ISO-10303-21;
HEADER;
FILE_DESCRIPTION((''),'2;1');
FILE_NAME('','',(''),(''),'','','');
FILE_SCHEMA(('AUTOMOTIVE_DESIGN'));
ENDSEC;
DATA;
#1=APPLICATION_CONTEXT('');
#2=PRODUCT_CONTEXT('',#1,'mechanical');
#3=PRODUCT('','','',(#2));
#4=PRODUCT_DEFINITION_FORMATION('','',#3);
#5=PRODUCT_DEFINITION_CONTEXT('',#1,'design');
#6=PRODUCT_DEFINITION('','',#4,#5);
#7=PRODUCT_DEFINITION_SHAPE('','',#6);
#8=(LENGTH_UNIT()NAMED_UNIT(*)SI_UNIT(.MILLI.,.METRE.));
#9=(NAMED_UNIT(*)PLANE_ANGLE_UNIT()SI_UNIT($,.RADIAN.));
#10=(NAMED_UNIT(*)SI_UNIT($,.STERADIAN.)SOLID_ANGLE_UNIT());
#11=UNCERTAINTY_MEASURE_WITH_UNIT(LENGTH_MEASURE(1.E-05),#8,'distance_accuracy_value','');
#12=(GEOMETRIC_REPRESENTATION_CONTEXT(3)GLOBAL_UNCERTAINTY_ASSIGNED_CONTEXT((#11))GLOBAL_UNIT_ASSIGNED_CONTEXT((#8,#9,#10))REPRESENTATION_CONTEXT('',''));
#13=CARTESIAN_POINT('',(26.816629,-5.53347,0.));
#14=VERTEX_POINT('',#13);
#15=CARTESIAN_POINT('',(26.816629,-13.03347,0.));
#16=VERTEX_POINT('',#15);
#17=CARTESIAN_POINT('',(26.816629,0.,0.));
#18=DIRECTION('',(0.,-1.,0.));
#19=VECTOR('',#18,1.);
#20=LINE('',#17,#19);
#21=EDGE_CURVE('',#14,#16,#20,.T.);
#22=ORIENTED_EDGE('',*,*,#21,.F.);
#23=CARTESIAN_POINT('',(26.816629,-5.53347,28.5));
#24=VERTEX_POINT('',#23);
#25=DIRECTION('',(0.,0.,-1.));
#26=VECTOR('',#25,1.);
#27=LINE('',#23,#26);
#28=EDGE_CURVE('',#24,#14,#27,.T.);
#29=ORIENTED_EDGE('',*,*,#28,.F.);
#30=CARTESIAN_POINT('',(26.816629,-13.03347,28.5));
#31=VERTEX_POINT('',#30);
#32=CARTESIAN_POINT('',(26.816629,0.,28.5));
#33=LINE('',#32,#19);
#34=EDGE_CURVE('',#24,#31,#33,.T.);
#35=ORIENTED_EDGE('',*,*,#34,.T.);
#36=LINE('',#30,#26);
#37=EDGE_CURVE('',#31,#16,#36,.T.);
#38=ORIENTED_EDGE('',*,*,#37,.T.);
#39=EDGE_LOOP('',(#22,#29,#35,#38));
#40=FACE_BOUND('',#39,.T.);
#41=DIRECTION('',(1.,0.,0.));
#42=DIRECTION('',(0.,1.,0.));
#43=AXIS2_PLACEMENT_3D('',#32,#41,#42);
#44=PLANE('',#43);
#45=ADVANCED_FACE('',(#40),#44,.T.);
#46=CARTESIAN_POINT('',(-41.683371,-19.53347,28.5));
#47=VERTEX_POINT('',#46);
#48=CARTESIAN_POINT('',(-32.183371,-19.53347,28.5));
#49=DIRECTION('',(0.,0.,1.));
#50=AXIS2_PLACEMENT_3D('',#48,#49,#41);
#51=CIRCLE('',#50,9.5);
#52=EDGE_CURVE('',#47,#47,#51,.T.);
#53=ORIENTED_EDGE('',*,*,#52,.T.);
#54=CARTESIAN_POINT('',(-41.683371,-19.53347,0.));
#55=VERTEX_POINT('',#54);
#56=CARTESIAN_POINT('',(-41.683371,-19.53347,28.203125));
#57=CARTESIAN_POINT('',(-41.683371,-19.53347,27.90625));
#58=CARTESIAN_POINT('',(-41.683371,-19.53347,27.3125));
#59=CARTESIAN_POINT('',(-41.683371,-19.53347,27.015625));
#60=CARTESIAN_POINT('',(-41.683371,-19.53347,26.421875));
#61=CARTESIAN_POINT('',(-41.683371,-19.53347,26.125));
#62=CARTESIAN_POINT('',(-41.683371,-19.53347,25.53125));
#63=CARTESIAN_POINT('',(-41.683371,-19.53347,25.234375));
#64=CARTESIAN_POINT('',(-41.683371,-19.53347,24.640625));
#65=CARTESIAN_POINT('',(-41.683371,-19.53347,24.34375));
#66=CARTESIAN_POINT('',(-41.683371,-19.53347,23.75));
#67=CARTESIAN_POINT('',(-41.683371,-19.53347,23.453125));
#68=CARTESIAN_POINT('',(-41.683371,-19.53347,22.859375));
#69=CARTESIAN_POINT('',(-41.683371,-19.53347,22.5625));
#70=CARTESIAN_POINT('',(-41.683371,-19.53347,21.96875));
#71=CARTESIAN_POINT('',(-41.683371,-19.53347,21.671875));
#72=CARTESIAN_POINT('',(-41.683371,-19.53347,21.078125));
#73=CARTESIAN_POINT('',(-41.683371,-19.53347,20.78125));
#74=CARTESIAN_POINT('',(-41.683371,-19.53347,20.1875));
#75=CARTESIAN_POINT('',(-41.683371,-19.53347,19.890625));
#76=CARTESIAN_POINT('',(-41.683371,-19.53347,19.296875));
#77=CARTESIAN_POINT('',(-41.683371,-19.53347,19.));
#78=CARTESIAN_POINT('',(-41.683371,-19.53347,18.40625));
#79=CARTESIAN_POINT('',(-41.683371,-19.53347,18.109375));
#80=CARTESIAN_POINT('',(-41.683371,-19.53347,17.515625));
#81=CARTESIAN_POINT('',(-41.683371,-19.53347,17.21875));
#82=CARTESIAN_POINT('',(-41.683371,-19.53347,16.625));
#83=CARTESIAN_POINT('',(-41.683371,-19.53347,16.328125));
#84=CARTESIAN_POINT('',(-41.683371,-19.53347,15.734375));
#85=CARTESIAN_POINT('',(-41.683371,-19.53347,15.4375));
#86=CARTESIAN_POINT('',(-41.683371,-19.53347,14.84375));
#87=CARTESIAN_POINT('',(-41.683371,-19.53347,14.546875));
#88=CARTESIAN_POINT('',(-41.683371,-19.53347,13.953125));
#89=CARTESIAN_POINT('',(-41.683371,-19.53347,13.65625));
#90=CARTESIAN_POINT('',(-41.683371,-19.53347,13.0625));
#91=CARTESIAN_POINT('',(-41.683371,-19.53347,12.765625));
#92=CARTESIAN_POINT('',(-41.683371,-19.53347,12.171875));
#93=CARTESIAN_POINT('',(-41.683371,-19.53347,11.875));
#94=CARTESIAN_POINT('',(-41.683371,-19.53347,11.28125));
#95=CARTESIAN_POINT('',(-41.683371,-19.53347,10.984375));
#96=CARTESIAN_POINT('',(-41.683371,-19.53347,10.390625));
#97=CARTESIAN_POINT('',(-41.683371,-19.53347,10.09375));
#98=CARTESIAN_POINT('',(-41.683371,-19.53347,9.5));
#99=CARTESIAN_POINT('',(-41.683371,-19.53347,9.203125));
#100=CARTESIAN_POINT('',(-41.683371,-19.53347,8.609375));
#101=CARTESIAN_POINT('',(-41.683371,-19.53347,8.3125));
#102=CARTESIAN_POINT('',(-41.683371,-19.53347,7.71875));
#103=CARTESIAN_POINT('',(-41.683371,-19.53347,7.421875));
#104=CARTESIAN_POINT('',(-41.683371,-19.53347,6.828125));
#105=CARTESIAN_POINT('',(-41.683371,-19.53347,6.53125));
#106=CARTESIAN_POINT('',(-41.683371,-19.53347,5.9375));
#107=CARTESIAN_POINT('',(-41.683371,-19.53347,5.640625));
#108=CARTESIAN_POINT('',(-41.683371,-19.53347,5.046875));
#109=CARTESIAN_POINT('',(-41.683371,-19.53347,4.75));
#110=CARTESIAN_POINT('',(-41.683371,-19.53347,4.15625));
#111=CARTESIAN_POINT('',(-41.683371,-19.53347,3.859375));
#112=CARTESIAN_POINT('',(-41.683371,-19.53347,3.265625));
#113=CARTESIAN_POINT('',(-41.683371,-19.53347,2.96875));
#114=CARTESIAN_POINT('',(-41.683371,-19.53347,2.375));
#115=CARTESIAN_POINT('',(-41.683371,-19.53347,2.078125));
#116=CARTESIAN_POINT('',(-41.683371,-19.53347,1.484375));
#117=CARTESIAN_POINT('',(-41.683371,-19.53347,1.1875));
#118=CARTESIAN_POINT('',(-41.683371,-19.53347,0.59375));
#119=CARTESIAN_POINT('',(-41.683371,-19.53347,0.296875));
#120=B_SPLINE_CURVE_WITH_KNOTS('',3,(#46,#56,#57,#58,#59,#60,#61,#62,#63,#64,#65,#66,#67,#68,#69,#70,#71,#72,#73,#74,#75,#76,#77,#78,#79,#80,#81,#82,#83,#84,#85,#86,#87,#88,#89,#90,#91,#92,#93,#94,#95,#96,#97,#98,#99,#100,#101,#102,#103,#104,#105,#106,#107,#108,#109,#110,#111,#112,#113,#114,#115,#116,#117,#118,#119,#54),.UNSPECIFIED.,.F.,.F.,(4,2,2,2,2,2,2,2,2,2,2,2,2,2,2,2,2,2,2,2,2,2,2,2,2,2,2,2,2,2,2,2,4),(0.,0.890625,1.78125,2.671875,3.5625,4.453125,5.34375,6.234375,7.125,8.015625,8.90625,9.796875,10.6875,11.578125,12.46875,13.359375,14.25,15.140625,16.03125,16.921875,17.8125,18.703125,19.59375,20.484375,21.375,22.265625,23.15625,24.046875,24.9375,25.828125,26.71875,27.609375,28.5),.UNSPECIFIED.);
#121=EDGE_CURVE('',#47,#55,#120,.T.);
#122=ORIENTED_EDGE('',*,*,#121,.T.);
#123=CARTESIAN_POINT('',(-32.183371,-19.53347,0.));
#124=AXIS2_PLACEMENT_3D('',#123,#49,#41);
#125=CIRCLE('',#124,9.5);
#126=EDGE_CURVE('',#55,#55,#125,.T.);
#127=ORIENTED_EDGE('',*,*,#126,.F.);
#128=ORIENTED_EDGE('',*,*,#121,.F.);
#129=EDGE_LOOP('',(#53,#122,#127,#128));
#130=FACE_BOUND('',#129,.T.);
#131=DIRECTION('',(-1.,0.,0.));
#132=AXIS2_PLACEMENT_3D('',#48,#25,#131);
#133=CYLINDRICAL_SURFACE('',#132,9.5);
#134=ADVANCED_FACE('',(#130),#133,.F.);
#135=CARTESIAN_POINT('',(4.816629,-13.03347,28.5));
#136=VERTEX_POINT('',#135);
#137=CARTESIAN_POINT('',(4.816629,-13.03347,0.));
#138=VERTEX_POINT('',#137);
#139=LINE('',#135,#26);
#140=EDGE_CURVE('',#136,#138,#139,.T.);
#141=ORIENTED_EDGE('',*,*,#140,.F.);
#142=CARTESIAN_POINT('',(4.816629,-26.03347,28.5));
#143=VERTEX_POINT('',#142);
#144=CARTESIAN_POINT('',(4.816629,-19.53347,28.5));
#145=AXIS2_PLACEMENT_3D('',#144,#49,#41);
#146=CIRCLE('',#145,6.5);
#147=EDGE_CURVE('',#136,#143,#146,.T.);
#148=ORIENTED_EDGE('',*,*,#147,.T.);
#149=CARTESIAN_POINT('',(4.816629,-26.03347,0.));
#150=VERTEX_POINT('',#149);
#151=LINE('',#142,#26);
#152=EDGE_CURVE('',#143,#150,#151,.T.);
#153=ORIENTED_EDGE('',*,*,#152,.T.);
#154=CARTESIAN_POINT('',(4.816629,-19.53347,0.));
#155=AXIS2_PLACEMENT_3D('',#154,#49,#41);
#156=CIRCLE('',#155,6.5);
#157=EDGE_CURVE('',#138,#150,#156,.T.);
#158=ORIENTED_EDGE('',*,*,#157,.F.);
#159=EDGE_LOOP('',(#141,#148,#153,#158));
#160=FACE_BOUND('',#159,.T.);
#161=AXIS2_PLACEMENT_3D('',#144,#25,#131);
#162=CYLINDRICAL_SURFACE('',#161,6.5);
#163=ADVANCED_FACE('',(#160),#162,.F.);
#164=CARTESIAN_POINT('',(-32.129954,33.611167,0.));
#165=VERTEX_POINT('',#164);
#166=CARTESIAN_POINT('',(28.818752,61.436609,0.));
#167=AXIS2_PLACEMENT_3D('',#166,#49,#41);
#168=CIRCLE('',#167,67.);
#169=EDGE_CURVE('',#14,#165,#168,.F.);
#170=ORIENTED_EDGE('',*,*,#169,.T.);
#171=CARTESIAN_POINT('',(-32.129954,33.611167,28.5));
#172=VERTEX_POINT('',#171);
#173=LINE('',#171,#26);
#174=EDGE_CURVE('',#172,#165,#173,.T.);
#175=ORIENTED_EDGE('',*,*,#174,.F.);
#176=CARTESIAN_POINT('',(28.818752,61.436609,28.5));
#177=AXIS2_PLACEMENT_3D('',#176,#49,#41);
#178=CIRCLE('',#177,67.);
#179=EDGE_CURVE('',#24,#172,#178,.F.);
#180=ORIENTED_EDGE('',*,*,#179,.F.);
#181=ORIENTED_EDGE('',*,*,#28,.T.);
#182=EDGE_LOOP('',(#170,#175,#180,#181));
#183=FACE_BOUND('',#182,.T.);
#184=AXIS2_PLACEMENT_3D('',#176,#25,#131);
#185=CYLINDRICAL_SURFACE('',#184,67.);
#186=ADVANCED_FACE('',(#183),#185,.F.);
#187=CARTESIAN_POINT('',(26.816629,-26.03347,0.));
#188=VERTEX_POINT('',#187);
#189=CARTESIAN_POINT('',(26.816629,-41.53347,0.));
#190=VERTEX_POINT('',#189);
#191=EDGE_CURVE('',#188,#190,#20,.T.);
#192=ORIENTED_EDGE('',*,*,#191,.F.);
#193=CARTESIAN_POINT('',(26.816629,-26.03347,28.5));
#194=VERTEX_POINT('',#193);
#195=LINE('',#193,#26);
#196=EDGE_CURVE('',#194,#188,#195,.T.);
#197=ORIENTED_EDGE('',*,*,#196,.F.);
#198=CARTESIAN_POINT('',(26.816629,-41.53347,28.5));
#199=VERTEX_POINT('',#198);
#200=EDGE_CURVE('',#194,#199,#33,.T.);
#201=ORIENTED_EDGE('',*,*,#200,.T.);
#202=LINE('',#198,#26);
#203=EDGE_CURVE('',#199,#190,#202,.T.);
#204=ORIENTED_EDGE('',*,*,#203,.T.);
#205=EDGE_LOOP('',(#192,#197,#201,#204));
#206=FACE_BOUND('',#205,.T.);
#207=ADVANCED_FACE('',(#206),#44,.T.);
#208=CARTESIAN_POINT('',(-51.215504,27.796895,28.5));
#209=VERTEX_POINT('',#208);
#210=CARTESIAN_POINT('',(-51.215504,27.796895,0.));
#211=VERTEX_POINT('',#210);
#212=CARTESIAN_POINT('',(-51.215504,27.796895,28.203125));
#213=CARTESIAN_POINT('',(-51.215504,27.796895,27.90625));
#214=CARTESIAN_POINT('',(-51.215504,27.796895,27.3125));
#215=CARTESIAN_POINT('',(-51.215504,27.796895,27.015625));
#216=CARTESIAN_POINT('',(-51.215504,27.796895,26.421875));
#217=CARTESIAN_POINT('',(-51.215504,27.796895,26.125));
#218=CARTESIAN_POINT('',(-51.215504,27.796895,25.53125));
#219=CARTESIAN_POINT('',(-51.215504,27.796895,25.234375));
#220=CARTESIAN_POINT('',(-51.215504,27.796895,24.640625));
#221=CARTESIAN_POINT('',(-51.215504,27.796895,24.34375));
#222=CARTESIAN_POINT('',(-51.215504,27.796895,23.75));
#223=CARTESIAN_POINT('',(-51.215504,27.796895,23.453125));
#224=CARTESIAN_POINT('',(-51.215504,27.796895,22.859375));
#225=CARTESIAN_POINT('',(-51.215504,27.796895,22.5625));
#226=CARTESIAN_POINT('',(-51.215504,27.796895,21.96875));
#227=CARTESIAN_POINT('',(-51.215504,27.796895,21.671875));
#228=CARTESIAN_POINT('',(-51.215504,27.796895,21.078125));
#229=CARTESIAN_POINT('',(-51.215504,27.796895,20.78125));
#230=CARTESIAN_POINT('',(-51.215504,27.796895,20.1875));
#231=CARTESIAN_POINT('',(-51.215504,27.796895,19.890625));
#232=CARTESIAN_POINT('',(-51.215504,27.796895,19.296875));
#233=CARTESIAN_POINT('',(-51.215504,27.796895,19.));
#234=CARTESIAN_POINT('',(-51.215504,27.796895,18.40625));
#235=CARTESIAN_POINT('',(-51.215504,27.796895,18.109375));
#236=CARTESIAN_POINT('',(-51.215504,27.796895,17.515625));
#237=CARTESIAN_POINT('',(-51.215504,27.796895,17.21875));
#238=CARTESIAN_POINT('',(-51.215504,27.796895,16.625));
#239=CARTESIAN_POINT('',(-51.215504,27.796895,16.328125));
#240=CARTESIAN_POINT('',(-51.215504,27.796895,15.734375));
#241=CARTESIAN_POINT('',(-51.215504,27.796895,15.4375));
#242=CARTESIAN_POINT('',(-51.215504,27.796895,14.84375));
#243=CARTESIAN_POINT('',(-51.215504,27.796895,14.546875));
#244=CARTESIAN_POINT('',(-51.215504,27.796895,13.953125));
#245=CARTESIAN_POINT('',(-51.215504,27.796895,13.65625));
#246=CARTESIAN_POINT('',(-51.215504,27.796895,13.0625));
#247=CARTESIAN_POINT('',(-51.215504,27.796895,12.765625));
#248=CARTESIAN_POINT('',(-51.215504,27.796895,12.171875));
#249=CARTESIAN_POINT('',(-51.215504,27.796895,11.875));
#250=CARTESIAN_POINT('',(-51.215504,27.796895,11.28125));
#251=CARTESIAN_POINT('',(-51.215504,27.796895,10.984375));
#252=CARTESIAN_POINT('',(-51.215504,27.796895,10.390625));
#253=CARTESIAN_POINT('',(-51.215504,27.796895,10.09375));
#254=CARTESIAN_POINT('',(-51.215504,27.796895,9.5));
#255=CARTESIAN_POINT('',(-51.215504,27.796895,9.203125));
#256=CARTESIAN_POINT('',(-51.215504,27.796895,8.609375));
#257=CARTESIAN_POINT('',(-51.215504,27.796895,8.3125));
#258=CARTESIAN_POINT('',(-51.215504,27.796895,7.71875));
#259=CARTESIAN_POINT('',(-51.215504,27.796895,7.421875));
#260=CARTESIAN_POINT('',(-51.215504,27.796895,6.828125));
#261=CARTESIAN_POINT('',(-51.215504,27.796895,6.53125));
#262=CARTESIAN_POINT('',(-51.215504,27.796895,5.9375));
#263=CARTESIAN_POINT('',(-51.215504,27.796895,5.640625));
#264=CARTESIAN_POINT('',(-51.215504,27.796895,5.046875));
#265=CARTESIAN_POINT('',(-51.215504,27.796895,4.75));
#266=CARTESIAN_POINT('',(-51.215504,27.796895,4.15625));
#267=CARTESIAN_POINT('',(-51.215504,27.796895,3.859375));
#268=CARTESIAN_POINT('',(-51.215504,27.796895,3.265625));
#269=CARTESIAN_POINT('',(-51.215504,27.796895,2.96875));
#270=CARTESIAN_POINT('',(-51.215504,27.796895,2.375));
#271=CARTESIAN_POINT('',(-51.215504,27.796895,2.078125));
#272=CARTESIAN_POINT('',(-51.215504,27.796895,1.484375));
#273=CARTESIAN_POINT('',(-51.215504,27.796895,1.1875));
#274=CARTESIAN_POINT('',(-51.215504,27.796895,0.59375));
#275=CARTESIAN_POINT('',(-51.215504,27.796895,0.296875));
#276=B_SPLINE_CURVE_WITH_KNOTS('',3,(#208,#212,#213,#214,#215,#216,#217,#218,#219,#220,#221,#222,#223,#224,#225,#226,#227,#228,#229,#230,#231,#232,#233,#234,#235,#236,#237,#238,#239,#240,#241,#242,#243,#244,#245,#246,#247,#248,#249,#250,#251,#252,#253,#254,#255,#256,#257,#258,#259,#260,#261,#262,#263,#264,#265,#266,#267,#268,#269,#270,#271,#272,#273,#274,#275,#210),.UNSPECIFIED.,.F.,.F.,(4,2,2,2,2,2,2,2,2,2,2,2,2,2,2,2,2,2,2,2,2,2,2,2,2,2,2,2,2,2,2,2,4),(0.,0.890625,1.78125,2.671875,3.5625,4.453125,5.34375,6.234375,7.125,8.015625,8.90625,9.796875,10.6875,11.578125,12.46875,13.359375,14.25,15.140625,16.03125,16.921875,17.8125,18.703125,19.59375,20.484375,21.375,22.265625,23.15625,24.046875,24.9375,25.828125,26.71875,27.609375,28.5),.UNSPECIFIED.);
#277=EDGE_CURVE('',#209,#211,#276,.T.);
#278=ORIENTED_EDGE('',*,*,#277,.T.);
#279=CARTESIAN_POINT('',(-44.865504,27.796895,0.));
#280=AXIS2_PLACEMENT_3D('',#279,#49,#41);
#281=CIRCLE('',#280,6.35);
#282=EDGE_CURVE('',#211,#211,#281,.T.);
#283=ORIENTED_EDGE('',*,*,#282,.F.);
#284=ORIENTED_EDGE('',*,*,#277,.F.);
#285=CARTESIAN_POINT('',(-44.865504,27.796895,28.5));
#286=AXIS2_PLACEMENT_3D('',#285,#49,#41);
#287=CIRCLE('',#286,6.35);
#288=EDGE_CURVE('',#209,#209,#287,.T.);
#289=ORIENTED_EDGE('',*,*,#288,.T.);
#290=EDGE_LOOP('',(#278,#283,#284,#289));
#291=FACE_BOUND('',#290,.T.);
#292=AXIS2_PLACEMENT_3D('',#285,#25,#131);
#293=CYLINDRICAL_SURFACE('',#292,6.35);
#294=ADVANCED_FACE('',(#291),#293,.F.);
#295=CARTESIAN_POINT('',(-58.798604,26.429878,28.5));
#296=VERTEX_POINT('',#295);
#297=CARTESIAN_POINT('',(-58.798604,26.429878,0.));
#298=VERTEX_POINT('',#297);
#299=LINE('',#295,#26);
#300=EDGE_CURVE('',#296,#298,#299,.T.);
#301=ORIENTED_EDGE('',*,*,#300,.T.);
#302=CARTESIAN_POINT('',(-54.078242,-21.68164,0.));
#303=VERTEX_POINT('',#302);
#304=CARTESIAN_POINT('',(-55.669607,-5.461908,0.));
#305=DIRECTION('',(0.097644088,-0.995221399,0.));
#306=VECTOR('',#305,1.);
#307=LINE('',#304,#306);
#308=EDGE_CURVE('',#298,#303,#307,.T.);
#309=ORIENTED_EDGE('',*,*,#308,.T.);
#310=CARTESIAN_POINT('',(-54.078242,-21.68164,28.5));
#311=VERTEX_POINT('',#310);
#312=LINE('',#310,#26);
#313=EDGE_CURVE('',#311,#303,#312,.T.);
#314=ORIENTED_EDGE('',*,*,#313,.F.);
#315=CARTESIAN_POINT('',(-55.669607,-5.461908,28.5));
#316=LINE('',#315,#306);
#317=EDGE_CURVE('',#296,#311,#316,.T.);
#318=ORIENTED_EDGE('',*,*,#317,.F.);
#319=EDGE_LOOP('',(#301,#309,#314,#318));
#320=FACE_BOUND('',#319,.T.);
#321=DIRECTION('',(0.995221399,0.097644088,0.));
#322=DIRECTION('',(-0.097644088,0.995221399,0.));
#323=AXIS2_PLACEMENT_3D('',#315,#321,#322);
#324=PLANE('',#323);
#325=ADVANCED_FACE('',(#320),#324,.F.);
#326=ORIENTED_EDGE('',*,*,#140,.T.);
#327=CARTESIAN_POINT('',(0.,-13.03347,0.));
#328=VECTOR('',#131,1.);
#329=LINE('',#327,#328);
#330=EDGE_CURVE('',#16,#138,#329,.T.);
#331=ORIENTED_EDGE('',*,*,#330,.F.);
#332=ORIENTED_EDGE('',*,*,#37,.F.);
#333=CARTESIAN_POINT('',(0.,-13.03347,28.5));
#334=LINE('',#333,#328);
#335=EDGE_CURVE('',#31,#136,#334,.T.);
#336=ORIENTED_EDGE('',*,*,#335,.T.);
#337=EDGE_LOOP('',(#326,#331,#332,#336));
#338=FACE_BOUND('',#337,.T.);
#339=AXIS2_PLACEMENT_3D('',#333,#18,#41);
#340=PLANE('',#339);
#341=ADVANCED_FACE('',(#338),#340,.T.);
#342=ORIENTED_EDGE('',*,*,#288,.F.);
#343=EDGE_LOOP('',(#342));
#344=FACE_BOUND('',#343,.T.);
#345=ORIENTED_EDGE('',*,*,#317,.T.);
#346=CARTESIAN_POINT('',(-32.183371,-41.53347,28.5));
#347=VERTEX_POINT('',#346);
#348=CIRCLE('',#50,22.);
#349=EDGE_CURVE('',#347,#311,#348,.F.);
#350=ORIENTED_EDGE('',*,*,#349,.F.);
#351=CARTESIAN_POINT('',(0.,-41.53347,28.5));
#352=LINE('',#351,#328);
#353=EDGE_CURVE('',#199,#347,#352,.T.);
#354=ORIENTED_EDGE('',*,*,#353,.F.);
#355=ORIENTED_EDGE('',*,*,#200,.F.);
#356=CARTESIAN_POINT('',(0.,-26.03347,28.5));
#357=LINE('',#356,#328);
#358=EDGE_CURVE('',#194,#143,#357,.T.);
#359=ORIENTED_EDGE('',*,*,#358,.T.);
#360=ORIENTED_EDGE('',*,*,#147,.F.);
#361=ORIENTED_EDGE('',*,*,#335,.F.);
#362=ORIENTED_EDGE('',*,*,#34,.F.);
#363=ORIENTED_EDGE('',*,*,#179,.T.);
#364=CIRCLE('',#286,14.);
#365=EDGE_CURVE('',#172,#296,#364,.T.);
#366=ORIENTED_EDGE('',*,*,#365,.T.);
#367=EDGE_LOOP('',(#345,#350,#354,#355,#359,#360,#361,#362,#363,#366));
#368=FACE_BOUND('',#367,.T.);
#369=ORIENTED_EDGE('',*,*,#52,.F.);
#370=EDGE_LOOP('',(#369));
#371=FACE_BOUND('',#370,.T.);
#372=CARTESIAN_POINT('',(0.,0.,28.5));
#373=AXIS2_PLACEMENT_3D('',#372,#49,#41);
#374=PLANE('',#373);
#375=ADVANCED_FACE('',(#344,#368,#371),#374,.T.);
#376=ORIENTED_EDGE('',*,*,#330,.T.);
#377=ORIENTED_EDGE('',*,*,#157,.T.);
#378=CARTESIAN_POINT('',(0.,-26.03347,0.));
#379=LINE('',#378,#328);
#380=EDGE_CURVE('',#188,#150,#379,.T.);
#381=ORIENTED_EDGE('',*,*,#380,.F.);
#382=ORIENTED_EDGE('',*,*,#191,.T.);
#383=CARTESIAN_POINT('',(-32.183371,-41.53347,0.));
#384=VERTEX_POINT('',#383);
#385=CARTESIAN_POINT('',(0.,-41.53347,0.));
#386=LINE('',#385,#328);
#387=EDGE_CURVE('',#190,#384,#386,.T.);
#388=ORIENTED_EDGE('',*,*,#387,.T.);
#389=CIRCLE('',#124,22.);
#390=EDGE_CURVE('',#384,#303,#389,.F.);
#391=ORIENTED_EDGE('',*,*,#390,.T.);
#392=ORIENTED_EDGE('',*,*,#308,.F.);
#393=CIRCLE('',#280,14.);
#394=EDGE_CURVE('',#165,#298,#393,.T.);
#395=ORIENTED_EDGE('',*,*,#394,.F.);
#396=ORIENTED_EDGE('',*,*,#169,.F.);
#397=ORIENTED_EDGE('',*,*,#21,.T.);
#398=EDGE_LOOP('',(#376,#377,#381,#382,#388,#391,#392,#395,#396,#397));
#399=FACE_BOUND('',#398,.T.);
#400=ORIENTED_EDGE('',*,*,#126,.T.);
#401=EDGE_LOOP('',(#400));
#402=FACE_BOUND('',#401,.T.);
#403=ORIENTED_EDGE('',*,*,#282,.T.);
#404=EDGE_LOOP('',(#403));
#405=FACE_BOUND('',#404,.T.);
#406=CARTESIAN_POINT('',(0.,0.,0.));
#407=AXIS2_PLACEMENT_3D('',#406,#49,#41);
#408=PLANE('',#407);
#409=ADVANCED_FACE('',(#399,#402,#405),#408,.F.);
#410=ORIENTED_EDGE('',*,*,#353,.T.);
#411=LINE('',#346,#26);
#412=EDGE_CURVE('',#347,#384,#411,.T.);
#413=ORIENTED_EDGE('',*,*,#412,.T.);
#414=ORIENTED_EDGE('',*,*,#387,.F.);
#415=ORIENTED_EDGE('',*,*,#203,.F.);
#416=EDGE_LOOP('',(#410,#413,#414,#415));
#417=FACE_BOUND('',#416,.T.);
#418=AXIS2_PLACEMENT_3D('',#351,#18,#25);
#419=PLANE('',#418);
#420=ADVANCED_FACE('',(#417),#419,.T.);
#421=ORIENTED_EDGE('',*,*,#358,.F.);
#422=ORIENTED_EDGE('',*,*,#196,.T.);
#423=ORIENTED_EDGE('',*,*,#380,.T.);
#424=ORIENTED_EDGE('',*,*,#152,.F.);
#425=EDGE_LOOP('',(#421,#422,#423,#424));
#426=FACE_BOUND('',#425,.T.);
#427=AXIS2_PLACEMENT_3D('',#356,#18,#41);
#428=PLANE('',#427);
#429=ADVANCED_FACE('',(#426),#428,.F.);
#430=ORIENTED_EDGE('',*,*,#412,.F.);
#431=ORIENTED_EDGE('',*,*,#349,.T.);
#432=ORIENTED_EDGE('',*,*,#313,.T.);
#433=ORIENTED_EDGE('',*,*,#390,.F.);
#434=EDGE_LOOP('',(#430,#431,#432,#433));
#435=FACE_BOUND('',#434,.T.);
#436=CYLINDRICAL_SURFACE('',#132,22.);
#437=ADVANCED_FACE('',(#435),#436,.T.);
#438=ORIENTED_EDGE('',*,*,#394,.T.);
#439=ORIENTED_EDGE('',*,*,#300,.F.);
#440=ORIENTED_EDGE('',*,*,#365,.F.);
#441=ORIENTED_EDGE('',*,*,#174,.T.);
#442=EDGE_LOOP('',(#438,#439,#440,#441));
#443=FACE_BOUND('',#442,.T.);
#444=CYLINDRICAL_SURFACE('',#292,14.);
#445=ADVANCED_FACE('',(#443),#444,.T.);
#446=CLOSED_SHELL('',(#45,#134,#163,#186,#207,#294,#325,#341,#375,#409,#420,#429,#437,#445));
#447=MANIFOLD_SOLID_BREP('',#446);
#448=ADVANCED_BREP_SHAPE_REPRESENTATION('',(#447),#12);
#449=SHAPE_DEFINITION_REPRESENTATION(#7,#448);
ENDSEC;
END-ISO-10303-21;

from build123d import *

# Parameters (mm, degrees)
ESQUISSE1_R        = 9.5
ESQUISSE1_R_2      = 6.35
BOSS_EXTRU_3_DEPTH = 28.5


with BuildPart() as part:
    # Esquisse1 → Boss.-Extru.3 (new body)
    with BuildSketch(Plane.XY):
        with BuildLine():
            Line((-32.183370977, -41.533470352), (26.816629023, -41.533470352))
            Line((26.816629023, -41.533470352), (26.816629023, -26.033470352))
            Line((26.816629023, -26.033470352), (4.816629023, -26.033470352))
            ThreePointArc((4.816629023, -26.033470352), (-1.683370977, -19.533470352), (4.816629023, -13.033470352))
            Line((4.816629023, -13.033470352), (26.816629023, -13.033470352))
            Line((26.816629023, -13.033470352), (26.816629023, -5.533470352))
            ThreePointArc((26.816629023, -5.533470352), (-8.245750613, 5.622429434), (-32.129953671, 33.611166634))
            ThreePointArc((-32.129953671, 33.611166634), (-48.50573191, 41.315354446), (-58.798603767, 26.429877911))
            Line((-58.798603767, 26.429877911), (-54.078241746, -21.681640278))
            ThreePointArc((-54.078241746, -21.681640278), (-46.960722933, -35.831625744), (-32.183370977, -41.533470352))
        make_face()
        with Locations(Location((-32.183370977, -19.533470352, 0), (0, 0, 180))):
            Circle(ESQUISSE1_R, mode=Mode.SUBTRACT)
        with Locations(Location((-44.865504187, 27.796895136, 0), (0, 0, 180))):
            Circle(ESQUISSE1_R_2, mode=Mode.SUBTRACT)
    extrude(amount=BOSS_EXTRU_3_DEPTH)


solid = part.part
